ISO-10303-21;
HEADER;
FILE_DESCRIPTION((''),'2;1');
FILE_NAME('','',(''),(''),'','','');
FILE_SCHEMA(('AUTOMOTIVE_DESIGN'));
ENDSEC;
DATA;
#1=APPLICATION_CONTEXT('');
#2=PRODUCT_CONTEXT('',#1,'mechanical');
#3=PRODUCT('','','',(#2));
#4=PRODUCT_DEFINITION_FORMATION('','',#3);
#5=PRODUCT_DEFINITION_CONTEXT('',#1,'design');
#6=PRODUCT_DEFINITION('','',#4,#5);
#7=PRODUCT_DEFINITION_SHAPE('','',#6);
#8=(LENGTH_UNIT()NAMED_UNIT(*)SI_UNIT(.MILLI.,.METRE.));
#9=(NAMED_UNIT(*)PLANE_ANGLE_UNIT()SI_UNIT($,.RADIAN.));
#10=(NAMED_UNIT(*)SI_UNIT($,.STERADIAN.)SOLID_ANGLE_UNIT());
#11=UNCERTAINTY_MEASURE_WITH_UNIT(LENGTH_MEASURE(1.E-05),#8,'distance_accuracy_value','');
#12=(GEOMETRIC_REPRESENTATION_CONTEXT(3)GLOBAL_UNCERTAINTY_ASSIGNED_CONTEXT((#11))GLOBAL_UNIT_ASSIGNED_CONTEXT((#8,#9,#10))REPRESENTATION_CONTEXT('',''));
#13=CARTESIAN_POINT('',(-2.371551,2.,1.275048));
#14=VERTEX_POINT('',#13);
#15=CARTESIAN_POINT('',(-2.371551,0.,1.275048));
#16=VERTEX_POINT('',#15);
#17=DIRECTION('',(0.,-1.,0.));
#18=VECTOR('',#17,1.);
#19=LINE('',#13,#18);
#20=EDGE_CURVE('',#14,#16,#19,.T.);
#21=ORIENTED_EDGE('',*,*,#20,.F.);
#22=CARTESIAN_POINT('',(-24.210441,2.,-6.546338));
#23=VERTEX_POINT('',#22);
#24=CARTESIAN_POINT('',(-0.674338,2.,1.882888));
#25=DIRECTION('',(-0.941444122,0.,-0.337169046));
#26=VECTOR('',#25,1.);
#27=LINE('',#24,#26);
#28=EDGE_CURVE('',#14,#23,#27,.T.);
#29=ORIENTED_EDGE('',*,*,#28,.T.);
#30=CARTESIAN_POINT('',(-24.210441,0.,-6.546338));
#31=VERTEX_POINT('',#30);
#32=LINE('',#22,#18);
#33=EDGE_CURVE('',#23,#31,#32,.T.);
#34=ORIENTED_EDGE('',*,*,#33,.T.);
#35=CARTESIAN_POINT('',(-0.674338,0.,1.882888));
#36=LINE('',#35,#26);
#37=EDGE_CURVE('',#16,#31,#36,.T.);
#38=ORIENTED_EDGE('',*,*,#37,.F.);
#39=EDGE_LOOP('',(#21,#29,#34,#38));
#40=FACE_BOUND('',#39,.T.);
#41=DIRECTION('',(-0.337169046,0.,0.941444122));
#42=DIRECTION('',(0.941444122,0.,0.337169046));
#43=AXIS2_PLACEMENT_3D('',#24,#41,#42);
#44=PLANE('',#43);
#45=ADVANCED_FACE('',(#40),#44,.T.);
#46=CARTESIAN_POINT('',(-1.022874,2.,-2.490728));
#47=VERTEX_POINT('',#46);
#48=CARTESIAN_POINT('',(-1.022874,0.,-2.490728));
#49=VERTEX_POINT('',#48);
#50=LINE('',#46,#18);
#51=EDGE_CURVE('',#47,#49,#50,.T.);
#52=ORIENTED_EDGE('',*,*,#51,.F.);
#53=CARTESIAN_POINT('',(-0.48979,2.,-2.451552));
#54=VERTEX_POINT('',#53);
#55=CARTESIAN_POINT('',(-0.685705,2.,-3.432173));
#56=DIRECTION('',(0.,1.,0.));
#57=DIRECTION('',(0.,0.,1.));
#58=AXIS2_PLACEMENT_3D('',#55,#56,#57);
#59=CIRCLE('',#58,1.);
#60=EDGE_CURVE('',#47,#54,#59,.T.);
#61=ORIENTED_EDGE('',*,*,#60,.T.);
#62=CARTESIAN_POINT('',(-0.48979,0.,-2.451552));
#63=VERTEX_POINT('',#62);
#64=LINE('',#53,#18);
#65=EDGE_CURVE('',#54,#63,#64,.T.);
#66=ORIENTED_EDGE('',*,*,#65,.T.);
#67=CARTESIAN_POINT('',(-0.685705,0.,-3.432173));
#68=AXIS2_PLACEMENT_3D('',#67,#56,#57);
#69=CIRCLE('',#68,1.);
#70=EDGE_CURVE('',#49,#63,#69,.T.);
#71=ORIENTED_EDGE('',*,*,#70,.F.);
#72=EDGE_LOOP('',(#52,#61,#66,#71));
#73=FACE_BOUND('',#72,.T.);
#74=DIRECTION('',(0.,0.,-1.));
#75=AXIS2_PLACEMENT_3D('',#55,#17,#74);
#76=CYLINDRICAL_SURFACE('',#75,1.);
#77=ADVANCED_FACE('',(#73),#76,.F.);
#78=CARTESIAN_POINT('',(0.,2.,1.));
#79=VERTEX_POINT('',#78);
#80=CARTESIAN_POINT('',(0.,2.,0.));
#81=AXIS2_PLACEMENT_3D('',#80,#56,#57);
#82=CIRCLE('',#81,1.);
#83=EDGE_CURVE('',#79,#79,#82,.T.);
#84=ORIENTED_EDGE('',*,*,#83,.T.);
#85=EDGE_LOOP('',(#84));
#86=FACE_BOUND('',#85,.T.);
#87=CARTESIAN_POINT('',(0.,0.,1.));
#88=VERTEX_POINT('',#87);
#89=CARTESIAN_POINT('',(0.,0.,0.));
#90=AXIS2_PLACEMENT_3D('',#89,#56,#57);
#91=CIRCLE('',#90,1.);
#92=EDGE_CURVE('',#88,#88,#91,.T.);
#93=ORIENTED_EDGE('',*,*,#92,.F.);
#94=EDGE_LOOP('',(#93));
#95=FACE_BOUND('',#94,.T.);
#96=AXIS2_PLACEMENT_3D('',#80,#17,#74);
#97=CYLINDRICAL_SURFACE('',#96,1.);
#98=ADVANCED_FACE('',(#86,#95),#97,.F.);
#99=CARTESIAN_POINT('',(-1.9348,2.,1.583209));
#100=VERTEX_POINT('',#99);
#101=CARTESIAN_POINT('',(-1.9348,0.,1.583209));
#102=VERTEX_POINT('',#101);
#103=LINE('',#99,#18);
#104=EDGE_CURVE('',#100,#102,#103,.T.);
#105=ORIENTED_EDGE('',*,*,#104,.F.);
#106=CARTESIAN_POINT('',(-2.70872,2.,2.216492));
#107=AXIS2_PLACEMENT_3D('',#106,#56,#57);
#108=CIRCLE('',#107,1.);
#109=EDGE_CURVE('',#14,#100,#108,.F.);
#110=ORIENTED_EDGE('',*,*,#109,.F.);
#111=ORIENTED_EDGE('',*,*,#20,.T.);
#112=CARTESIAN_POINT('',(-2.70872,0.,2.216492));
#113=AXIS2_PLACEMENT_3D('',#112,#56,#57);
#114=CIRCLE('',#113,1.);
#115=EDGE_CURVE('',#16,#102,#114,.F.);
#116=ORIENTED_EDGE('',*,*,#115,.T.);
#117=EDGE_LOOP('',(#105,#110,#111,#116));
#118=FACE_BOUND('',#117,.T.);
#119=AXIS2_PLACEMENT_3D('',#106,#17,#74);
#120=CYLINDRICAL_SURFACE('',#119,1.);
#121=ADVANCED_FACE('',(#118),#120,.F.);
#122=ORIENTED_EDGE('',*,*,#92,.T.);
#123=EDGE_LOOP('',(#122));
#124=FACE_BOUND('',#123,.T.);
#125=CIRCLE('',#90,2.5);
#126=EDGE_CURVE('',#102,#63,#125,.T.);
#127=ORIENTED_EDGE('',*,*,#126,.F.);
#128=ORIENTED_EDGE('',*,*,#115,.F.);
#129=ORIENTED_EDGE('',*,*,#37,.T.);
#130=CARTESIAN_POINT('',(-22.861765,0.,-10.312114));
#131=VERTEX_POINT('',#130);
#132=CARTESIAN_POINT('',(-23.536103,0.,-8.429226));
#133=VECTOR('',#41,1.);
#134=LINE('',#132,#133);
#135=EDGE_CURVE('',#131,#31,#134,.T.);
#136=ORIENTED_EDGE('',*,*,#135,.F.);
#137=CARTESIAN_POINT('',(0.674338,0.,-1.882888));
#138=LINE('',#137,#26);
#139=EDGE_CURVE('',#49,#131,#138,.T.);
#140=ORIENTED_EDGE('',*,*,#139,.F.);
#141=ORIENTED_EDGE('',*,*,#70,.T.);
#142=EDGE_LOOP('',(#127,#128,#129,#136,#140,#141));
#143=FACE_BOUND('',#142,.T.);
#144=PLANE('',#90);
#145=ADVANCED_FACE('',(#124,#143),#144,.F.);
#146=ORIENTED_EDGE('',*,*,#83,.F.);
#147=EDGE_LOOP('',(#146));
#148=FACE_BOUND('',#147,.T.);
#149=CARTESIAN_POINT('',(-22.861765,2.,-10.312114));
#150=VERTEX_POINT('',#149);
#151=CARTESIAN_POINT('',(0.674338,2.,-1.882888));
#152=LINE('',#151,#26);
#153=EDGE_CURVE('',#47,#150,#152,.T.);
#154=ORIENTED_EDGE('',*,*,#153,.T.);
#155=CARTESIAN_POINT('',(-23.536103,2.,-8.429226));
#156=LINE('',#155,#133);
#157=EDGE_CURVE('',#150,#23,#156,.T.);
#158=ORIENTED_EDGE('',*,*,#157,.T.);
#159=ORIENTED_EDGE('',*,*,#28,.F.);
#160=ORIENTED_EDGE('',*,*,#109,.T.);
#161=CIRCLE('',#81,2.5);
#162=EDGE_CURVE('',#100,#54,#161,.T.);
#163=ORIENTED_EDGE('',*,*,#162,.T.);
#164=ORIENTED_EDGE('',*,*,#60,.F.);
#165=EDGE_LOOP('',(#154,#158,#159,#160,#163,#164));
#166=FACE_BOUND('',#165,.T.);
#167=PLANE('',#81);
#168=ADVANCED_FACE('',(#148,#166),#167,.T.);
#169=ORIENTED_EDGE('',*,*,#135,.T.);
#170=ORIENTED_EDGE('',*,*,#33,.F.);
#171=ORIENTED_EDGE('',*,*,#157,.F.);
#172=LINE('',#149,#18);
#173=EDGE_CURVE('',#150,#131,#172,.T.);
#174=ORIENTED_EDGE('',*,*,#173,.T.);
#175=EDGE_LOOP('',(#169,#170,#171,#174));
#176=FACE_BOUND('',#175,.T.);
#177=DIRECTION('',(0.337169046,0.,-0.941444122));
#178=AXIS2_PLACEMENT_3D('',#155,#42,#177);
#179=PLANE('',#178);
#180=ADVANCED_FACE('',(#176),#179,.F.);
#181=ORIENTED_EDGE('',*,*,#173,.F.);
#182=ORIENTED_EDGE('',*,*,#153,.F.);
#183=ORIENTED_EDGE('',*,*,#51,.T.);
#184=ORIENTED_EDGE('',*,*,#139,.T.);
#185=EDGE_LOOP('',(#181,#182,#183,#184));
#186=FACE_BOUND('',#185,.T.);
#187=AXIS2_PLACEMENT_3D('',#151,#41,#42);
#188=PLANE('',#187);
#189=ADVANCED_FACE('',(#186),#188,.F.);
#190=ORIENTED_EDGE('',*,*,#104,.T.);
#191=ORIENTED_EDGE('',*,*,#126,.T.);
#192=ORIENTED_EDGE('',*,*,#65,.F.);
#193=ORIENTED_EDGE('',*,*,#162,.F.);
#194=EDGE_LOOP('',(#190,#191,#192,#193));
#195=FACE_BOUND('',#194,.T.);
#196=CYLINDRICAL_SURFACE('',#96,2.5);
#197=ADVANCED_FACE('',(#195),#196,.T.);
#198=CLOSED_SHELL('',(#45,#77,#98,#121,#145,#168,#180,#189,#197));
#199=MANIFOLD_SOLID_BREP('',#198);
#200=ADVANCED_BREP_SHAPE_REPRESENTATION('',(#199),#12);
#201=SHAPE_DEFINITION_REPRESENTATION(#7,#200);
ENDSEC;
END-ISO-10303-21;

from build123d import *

# Parameters (mm, degrees)
SKETCH1_R           = 1
BOSS_EXTRUDE1_DEPTH = 2


with BuildPart() as part:
    # Sketch1 → Boss-Extrude1 (new body)
    with BuildSketch(Plane(origin=(0, 0, 0), x_dir=(1, 0, 0), z_dir=(0, 1, 0))):
        with BuildLine():
            Line((-1.022874436, 2.490728385), (-22.861764958, 10.312114381))
            Line((-22.861764958, 10.312114381), (-24.21044114, 6.546337894))
            Line((-24.21044114, 6.546337894), (-2.371550618, -1.275048103))
            ThreePointArc((-2.371550618, -1.275048103), (-2.132203917, -1.399406187), (-1.93479976, -1.583208732))
            ThreePointArc((-1.93479976, -1.583208732), (2.353610305, -0.842922614), (-0.489789565, 2.451551791))
            ThreePointArc((-0.489789565, 2.451551791), (-0.758998088, 2.434862033), (-1.022874436, 2.490728385))
        make_face()
        Circle(SKETCH1_R, mode=Mode.SUBTRACT)
    extrude(amount=BOSS_EXTRUDE1_DEPTH)


solid = part.part
